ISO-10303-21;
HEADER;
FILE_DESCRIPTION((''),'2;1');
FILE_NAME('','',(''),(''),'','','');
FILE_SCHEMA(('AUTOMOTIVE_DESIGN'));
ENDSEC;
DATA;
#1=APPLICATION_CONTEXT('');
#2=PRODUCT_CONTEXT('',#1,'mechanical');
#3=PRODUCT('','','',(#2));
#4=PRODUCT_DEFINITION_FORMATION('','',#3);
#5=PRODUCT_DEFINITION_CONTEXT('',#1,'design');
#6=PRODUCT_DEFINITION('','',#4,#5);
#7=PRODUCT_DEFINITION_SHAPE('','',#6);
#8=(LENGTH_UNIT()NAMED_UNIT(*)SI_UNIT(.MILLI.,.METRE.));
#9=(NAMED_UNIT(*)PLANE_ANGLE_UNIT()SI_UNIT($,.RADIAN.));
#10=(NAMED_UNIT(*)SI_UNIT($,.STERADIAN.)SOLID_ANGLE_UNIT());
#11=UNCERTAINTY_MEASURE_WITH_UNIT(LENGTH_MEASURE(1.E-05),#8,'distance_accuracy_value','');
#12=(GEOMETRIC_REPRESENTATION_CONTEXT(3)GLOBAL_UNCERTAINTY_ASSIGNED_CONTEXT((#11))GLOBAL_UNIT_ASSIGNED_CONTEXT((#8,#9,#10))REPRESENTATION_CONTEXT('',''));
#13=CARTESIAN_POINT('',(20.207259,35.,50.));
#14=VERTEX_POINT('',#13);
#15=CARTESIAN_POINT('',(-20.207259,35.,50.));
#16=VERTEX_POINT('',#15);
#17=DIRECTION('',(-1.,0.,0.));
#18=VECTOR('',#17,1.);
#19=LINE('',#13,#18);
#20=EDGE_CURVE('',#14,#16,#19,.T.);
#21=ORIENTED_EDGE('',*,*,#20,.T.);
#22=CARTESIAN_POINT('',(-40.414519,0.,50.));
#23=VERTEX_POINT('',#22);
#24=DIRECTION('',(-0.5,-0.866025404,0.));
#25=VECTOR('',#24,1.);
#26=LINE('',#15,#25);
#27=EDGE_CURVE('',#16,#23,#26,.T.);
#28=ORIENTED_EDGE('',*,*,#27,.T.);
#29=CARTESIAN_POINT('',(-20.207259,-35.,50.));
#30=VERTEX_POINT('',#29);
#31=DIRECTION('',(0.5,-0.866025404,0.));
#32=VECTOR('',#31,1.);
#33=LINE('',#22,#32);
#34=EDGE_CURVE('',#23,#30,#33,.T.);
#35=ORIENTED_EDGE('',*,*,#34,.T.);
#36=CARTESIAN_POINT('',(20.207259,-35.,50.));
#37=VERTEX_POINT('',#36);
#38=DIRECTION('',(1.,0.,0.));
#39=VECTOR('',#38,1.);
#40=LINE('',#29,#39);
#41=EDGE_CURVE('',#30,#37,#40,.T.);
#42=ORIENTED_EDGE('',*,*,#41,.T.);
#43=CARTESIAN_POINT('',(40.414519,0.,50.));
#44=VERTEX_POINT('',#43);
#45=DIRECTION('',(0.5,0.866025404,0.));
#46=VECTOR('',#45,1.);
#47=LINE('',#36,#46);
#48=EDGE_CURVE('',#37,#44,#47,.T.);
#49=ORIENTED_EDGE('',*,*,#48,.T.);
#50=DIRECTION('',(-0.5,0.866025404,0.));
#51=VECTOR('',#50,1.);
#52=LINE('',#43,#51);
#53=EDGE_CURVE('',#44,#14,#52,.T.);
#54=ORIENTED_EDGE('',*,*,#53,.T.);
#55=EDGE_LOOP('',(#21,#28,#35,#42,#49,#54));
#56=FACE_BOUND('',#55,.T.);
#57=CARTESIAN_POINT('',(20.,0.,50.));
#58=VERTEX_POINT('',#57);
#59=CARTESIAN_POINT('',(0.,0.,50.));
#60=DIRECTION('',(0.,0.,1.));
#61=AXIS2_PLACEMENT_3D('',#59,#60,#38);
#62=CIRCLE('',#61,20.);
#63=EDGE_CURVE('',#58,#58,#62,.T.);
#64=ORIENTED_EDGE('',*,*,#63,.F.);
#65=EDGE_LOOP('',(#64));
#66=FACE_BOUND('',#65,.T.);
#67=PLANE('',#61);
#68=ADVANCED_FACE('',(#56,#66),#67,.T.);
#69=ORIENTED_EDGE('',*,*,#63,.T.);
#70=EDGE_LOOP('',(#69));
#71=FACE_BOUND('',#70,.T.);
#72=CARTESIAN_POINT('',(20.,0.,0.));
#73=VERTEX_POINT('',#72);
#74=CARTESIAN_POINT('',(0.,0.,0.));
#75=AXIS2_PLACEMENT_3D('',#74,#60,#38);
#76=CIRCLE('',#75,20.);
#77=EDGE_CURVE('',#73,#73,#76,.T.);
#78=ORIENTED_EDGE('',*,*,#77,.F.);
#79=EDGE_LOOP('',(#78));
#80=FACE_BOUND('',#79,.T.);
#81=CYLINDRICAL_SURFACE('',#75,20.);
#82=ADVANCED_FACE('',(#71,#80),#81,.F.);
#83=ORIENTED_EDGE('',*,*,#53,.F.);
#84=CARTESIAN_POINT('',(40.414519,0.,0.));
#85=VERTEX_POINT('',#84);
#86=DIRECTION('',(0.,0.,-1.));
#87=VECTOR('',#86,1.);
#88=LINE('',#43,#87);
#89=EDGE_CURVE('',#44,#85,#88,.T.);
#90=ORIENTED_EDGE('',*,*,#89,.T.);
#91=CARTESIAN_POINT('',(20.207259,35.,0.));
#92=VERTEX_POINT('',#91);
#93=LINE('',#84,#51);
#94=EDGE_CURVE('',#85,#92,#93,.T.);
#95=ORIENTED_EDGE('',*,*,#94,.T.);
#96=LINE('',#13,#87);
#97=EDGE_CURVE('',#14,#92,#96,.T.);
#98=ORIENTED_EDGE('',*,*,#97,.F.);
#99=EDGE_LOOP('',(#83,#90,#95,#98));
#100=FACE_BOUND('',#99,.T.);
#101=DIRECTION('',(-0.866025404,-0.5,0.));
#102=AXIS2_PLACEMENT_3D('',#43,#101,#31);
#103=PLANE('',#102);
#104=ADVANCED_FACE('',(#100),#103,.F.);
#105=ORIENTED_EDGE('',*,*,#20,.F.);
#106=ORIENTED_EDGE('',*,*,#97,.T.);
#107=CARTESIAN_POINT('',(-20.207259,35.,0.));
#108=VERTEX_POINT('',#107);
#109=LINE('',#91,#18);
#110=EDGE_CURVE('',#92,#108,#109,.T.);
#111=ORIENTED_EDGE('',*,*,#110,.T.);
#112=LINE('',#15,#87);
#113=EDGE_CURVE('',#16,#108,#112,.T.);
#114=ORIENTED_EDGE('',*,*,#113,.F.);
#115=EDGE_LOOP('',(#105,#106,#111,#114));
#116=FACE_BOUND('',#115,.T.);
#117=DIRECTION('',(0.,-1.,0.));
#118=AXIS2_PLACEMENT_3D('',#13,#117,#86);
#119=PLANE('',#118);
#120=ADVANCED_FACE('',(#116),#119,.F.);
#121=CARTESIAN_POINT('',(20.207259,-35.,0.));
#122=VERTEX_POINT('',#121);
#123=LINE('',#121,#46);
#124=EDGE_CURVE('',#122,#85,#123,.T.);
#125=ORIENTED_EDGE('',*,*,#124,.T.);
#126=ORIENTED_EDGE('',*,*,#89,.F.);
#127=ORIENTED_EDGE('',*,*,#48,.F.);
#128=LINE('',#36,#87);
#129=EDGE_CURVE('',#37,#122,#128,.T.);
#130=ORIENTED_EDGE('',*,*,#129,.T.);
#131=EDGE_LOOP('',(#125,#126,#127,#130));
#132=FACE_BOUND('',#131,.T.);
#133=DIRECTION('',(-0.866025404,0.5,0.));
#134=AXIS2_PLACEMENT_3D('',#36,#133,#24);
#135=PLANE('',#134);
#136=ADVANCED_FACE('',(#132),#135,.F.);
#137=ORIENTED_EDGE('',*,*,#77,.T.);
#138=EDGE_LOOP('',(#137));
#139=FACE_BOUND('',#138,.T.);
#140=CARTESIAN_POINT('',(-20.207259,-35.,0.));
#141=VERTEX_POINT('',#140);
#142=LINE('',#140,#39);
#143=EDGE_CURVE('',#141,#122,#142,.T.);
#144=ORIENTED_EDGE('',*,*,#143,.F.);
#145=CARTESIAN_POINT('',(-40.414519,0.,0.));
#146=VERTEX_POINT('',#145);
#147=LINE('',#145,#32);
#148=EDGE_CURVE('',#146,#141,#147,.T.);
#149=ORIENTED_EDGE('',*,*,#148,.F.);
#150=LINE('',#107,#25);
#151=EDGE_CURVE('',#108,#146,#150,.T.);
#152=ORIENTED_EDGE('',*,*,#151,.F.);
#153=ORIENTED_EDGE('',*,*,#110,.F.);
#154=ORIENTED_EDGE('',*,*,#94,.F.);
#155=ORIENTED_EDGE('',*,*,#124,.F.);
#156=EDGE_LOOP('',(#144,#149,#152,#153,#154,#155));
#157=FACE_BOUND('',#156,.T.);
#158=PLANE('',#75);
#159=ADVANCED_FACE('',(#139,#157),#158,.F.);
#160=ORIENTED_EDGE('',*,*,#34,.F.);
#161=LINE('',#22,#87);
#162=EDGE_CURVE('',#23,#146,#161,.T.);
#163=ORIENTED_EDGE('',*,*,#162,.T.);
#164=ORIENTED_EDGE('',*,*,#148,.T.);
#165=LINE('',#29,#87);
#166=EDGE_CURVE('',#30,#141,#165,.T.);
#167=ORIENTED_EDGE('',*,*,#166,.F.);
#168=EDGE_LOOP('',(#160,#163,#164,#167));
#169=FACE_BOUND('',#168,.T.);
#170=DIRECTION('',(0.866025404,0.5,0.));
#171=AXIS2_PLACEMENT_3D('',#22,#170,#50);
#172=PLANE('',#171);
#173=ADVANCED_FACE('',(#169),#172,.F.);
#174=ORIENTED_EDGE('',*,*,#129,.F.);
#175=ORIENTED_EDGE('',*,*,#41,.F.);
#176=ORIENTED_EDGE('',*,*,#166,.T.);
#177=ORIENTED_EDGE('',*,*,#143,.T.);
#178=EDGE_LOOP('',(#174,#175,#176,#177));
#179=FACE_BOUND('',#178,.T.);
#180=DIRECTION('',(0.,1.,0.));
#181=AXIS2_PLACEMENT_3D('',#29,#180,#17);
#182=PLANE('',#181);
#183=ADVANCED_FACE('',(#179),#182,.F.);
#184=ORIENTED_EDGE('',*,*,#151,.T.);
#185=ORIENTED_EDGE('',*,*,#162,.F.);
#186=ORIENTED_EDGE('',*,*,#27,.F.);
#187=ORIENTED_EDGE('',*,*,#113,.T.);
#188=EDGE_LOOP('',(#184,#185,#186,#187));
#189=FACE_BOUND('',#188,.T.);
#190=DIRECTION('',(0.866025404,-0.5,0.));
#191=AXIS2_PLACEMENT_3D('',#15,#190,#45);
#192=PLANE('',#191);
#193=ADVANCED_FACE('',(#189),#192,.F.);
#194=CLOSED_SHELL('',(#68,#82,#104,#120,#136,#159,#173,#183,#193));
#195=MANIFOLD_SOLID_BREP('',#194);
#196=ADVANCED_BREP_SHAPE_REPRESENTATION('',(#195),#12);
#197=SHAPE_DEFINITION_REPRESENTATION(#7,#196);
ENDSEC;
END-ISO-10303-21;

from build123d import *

# Parameters (mm, degrees)
BOSS_EXTRUDE1_DEPTH = 50
SKETCH2_R           = 20
CUT_EXTRUDE1_DEPTH  = 50


with BuildPart() as part:
    # Sketch1 → Boss-Extrude1 (new body)
    with BuildSketch(Plane.XY):
        Polygon((-40.414518843, 0), (-20.207259422, -35), (20.207259422, -35), (40.414518843, 0), (20.207259422, 35), (-20.207259422, 35), align=None)
    extrude(amount=BOSS_EXTRUDE1_DEPTH)

    # Sketch2 → Cut-Extrude1 (cut)
    with BuildSketch(Plane.XY.offset(50)):
        Circle(SKETCH2_R)
    extrude(amount=-CUT_EXTRUDE1_DEPTH, mode=Mode.SUBTRACT)


solid = part.part
